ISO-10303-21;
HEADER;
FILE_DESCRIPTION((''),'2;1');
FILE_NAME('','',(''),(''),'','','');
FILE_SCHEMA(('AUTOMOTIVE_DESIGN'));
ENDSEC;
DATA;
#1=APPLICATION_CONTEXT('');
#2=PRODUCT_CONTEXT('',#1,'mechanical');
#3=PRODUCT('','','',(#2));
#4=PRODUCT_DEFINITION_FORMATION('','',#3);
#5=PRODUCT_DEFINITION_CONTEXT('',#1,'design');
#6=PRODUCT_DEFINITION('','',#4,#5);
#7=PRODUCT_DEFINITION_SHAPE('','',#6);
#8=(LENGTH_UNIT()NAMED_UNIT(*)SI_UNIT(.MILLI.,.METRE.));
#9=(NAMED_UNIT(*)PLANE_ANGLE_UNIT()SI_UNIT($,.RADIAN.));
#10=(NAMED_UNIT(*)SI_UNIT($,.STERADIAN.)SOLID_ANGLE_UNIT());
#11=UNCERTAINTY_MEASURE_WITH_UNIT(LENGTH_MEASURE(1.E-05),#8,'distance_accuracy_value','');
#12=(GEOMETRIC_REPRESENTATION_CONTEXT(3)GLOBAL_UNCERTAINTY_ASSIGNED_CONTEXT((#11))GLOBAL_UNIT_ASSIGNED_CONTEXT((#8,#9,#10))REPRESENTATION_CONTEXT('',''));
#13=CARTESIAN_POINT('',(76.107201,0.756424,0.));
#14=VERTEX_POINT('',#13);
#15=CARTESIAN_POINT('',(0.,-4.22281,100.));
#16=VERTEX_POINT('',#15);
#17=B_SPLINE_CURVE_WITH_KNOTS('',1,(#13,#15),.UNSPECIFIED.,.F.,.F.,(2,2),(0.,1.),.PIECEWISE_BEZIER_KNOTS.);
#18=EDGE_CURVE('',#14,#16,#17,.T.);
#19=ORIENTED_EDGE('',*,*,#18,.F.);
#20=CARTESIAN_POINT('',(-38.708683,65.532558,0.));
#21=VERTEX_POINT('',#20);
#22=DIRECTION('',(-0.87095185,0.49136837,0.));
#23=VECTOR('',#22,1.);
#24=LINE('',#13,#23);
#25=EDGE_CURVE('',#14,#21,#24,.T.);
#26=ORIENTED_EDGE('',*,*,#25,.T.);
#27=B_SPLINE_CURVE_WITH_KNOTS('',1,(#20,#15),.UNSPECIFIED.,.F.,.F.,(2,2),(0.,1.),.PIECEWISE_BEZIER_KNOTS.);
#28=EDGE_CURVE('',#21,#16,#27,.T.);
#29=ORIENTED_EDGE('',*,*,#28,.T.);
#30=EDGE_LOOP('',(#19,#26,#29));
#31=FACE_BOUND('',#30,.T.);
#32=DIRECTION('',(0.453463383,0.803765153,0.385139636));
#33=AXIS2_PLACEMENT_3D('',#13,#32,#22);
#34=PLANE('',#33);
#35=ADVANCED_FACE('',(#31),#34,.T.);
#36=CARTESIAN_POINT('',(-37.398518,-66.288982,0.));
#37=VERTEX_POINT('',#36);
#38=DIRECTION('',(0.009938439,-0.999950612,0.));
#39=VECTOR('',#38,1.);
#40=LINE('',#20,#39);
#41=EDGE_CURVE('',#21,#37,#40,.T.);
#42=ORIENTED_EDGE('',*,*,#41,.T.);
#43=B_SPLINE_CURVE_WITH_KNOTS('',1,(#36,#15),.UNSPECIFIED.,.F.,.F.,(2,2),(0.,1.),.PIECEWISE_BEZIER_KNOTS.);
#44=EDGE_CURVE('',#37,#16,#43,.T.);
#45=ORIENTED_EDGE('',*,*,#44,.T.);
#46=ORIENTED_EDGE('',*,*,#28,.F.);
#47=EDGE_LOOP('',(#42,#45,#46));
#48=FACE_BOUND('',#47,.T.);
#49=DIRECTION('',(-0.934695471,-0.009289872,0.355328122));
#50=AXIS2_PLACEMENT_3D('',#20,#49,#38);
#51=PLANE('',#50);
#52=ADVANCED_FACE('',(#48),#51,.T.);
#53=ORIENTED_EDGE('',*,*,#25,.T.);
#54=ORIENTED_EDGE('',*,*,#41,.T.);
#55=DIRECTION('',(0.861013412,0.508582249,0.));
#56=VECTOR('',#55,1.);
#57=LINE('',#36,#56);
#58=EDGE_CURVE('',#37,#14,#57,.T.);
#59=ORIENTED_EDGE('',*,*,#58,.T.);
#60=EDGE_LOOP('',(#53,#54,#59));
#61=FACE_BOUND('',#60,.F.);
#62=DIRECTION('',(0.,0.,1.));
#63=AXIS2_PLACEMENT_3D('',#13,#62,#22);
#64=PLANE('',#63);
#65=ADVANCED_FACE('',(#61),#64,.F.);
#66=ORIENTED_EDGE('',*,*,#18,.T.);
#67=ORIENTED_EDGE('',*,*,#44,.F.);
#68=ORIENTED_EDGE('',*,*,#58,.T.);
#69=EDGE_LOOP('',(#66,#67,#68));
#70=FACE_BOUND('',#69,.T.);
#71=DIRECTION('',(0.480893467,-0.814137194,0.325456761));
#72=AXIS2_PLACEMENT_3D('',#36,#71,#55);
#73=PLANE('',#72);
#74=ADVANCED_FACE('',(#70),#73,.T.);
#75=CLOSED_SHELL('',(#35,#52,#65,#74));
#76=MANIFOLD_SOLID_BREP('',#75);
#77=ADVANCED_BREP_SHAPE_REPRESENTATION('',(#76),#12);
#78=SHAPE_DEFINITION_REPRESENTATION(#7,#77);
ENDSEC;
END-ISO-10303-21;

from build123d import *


with BuildPart() as f3:
    # F0 (on Top) → F3 section 0
    with BuildSketch(Plane.XY, mode=Mode.PRIVATE) as f3_s0:
        Polygon((76.107201, 0.756424), (-38.708683, 65.532558), (-37.398518, -66.288982), align=None)
    loft([f3_s0.sketch, Vertex(0, -4.22281, 100)])


solid = f3.part
